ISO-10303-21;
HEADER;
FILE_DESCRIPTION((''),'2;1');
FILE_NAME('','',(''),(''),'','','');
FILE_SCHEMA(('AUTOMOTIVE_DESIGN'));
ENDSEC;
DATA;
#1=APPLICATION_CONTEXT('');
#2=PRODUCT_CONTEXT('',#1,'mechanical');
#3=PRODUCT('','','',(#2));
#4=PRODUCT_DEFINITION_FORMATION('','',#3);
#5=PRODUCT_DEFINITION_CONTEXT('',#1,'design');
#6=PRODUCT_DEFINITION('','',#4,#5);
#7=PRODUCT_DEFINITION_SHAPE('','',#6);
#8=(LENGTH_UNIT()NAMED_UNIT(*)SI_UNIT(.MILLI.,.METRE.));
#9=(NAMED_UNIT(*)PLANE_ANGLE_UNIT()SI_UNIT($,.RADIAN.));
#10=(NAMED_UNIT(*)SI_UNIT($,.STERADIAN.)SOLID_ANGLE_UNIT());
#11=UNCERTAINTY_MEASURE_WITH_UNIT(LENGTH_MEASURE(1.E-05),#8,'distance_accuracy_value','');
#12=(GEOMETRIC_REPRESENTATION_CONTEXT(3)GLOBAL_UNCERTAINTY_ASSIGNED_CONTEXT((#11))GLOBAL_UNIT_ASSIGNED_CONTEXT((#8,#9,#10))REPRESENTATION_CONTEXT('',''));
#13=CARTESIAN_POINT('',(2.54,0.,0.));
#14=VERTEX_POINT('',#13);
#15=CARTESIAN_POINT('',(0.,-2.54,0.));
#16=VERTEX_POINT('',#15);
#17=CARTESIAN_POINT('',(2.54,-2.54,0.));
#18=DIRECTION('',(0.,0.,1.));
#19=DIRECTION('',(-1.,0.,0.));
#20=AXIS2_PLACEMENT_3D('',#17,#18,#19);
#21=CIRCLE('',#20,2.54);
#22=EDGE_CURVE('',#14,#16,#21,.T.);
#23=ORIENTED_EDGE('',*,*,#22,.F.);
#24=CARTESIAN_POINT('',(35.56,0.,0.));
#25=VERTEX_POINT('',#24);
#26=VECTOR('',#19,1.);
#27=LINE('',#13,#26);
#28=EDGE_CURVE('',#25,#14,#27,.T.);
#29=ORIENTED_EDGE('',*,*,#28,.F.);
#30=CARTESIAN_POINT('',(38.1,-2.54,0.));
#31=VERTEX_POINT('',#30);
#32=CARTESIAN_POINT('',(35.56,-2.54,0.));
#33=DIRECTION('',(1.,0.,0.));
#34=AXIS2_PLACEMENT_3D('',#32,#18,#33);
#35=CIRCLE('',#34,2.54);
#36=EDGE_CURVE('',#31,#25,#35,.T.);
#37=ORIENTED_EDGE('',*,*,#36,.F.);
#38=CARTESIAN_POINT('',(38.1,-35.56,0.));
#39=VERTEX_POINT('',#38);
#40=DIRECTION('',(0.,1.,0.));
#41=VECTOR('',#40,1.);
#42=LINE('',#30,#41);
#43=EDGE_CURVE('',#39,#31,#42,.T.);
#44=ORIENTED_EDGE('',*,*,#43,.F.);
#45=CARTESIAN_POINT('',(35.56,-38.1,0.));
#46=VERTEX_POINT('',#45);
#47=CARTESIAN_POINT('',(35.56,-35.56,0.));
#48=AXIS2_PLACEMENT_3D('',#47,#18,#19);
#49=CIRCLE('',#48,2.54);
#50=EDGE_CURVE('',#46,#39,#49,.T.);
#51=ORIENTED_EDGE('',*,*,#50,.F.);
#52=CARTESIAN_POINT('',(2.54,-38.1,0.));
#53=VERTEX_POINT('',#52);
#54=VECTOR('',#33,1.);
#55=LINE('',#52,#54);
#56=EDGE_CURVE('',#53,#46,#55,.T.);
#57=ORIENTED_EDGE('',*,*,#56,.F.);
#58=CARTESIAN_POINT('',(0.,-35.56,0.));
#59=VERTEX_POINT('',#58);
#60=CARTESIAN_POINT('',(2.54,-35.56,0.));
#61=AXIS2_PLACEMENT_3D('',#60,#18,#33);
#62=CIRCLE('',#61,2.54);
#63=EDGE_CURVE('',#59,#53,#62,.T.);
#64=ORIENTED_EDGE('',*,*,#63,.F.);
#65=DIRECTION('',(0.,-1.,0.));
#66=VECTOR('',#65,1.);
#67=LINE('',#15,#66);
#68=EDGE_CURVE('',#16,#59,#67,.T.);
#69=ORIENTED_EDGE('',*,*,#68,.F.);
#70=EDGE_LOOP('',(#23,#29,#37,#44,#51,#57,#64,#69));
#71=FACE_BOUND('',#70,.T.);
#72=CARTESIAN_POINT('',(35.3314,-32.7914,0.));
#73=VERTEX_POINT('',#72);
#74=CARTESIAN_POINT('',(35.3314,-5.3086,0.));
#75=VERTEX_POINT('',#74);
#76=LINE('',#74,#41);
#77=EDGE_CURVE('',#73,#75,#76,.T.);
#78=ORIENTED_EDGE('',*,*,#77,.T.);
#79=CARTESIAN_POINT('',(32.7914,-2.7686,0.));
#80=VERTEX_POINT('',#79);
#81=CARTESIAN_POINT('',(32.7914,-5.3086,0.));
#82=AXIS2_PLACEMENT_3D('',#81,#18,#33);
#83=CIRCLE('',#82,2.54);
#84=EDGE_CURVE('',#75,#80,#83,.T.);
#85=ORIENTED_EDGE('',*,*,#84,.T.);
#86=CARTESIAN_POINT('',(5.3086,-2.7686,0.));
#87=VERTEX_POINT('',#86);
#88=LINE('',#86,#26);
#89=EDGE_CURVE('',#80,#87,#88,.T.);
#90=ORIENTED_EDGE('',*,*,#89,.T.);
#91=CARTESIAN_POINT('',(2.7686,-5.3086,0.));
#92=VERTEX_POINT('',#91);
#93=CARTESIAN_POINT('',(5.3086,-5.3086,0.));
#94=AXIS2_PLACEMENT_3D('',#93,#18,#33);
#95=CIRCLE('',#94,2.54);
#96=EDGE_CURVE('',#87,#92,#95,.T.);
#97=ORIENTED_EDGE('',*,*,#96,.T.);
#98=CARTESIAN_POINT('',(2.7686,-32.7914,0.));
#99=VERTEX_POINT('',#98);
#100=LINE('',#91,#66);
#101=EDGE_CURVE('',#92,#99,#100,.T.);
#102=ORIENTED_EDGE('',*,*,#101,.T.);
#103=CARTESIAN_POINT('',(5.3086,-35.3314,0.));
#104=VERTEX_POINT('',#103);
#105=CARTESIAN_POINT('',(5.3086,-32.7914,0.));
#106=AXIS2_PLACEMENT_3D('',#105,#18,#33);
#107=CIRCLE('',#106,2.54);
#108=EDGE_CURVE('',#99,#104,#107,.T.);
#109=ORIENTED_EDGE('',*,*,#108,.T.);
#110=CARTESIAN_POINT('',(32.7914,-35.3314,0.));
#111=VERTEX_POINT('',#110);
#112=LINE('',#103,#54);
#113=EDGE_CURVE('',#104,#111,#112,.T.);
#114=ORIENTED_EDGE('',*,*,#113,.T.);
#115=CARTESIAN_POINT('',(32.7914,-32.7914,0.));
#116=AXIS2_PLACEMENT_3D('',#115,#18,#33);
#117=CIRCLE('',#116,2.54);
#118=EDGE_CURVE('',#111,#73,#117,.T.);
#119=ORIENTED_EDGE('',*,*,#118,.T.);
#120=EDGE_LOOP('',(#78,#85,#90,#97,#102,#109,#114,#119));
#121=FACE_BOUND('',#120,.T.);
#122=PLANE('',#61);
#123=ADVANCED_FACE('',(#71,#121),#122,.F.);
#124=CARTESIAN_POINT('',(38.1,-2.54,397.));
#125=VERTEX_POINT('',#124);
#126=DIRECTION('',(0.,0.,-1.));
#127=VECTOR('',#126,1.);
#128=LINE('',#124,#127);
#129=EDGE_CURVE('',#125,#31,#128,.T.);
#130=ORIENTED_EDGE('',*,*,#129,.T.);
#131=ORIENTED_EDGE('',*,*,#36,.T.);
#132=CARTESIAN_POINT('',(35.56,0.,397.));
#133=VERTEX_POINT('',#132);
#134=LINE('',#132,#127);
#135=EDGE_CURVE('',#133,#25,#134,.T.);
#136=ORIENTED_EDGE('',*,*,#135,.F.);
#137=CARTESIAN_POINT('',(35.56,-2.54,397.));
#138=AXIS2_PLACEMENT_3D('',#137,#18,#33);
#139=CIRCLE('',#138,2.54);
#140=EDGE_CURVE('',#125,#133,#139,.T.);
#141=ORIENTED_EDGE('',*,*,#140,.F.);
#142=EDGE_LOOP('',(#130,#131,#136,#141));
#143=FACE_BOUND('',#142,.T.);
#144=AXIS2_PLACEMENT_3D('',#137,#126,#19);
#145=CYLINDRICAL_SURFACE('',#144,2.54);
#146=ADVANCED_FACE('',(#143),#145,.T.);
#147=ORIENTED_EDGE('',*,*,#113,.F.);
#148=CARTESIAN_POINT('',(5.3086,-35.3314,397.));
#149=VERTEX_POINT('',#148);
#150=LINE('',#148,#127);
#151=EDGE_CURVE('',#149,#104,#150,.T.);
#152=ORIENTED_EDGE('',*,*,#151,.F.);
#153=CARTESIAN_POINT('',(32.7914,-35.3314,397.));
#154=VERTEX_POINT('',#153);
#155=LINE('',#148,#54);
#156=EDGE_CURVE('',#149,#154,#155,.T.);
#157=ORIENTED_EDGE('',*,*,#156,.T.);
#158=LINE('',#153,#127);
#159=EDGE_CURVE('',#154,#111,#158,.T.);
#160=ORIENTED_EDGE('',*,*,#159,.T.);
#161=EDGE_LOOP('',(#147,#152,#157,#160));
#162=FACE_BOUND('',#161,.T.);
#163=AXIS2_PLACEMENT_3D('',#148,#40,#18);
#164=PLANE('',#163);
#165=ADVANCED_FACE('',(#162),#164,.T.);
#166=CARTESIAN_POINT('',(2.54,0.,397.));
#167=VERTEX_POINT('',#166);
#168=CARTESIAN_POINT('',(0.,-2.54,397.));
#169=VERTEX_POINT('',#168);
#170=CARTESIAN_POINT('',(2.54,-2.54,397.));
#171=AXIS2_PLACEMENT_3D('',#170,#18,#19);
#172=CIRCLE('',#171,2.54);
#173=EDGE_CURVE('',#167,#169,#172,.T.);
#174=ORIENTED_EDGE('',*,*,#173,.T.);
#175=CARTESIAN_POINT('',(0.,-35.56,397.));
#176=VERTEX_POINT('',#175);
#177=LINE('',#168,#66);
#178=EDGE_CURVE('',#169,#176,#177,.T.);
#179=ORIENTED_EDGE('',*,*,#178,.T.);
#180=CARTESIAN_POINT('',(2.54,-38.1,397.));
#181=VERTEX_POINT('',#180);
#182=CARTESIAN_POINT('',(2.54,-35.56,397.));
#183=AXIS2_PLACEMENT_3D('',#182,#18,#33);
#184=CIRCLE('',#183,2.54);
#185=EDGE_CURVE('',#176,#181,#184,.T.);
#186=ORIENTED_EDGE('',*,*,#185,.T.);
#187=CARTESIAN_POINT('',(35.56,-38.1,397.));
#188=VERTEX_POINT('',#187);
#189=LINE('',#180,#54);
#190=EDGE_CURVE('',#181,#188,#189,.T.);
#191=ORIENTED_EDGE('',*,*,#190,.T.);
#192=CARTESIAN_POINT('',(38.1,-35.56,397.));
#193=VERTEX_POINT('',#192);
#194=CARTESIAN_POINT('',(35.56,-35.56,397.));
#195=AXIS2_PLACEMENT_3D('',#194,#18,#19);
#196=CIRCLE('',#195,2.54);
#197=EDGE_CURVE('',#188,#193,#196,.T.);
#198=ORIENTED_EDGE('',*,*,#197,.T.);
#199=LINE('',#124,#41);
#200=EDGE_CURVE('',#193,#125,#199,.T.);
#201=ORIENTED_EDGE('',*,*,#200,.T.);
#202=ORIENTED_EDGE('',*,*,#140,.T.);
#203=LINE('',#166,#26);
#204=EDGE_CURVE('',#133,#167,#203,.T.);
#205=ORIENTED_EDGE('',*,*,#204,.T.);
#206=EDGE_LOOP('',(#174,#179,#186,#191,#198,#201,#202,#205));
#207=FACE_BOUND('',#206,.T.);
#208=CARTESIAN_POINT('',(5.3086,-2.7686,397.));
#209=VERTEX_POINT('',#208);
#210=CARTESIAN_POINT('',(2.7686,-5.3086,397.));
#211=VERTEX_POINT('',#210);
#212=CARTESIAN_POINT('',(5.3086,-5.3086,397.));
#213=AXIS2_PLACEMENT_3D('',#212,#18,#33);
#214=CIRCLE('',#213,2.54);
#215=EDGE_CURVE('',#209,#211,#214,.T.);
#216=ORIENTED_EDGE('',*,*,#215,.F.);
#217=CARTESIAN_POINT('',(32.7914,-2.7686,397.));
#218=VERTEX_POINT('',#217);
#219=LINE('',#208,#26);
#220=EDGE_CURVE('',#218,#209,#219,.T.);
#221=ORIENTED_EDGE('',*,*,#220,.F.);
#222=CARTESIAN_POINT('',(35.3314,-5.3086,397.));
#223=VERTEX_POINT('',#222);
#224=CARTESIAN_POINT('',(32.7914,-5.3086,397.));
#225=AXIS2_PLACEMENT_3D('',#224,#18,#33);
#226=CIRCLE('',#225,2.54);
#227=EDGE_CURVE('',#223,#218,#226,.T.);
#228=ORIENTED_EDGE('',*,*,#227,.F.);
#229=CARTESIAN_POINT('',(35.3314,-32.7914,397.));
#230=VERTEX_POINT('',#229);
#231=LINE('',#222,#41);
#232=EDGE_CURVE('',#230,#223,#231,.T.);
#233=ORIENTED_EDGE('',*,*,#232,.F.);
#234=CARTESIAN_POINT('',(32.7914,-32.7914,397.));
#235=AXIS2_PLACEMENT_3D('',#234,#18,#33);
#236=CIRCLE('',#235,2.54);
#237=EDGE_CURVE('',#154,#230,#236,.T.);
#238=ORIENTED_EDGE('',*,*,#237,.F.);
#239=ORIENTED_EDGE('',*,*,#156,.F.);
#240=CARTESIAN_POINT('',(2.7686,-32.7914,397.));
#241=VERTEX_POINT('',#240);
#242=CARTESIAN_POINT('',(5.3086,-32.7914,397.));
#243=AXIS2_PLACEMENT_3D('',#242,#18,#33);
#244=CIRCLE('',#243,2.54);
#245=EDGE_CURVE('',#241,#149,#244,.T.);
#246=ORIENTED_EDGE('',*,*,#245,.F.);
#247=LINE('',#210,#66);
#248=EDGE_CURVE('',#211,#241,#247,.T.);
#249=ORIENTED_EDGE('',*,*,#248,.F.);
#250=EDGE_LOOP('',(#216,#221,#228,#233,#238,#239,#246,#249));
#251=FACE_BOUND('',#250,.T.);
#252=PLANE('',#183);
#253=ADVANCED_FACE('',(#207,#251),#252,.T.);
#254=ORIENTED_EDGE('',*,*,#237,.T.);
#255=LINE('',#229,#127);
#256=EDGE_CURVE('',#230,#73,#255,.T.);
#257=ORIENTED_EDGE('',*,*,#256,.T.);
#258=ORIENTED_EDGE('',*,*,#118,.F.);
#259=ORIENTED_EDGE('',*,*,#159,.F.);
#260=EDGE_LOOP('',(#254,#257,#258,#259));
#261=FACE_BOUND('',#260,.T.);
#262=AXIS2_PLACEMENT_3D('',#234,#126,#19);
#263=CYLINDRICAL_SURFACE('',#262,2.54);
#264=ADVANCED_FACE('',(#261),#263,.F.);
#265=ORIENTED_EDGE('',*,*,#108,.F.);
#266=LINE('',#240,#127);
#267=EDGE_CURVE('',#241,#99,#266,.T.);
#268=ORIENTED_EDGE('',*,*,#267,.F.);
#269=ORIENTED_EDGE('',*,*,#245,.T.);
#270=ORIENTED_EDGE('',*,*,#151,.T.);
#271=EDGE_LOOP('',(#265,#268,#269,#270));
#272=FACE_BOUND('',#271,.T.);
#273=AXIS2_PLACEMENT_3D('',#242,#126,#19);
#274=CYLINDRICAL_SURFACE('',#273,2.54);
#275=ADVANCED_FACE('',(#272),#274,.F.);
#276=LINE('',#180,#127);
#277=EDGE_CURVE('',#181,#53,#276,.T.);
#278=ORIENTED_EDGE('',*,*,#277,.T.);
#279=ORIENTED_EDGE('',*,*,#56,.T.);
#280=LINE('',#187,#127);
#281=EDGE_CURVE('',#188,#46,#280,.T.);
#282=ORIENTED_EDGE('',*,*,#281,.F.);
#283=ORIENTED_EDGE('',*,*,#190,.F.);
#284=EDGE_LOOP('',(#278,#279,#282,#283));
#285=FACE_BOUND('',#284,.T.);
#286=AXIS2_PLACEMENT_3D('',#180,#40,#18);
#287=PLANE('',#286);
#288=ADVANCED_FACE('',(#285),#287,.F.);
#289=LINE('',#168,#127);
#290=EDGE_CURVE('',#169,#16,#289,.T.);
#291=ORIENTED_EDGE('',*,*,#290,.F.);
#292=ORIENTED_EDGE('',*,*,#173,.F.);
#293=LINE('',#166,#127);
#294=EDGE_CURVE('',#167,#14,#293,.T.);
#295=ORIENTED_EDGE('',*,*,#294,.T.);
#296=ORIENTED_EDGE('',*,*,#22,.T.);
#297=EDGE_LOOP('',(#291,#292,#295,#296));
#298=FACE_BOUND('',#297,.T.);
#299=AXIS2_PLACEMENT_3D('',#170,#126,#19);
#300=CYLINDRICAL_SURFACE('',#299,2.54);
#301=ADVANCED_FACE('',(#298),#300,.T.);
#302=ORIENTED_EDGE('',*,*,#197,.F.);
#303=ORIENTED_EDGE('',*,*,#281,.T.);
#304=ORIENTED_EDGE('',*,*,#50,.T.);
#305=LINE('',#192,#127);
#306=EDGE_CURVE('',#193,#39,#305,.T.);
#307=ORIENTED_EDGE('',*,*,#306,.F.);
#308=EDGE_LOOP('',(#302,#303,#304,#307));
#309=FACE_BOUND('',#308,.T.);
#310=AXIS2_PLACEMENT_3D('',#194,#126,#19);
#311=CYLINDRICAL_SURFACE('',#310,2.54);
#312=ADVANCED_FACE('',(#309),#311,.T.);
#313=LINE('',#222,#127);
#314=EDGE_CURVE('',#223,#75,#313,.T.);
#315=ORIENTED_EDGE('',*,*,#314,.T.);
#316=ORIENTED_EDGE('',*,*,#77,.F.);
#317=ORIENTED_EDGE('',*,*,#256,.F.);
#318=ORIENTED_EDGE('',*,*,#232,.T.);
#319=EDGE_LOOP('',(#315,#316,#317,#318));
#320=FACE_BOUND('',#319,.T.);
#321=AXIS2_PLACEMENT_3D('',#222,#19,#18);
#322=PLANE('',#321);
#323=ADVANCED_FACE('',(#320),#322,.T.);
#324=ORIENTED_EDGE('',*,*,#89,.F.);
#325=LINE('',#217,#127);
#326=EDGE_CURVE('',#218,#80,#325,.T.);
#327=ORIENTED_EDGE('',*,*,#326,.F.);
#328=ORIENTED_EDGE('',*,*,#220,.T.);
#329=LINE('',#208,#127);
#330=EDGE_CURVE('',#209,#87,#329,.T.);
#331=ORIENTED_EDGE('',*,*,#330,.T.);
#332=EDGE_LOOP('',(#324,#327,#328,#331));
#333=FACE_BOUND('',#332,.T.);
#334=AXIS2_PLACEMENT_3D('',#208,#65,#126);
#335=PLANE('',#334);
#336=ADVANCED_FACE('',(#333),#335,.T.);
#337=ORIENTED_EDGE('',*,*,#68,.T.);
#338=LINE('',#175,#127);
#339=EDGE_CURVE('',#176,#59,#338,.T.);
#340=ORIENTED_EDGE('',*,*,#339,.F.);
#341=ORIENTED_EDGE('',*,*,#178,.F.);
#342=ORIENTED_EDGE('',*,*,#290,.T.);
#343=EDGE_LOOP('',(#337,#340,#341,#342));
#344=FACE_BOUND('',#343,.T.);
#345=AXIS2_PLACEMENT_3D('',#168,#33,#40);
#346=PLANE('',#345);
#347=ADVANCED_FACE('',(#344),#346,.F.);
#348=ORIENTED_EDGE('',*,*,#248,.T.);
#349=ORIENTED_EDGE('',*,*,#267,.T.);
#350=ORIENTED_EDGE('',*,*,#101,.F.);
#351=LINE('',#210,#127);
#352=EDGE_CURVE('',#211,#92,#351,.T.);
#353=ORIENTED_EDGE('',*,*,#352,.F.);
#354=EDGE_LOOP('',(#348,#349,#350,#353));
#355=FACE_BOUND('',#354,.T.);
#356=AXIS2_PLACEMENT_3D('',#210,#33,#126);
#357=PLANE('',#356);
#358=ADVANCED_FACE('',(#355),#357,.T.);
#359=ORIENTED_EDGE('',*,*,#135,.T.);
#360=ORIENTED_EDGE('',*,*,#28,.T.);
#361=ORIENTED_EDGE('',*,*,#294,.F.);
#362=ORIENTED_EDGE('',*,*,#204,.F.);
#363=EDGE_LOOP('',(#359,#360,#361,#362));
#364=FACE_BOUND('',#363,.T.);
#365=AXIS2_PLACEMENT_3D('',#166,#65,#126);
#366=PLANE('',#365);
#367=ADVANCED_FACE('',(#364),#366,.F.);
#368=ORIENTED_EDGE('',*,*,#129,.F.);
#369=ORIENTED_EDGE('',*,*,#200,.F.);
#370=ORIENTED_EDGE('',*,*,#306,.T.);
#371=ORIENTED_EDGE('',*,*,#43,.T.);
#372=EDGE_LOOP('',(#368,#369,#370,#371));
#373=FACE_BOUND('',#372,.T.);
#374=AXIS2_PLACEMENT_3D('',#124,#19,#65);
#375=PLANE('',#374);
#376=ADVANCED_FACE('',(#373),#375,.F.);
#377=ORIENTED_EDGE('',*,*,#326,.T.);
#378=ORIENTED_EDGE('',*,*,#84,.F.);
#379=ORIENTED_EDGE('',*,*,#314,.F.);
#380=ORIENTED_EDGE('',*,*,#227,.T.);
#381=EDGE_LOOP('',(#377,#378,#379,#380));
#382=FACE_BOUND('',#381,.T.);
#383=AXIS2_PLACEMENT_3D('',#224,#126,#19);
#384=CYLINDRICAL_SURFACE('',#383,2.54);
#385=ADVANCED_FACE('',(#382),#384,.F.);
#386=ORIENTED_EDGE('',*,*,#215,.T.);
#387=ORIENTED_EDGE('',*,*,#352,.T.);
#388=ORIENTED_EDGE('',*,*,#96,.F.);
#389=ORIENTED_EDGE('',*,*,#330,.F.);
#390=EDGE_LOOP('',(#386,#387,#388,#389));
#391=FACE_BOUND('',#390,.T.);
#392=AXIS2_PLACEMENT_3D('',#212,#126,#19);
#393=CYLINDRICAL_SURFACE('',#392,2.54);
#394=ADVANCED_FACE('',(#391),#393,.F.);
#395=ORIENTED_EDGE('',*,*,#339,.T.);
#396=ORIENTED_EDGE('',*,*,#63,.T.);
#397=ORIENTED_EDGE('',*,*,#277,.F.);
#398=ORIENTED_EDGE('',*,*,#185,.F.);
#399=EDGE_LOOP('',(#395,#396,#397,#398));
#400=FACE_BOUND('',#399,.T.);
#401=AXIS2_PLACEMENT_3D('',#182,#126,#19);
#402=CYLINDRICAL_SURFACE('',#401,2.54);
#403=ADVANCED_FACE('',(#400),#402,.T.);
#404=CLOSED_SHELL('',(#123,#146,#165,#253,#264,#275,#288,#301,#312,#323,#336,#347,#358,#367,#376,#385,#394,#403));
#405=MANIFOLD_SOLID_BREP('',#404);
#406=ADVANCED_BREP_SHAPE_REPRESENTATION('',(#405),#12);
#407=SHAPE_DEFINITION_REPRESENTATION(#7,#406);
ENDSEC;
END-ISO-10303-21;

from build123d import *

# Parameters (mm, degrees)
BOSS_EXTRUDE1_DEPTH = 397


with BuildPart() as part:
    # Sketch1 → Boss-Extrude1 (new body)
    with BuildSketch(Plane.XY):
        with BuildLine():
            Line((2.54, 0), (35.56, 0))
            ThreePointArc((35.56, 0), (37.356051224, -0.743948776), (38.1, -2.54))
            Line((38.1, -2.54), (38.1, -35.56))
            ThreePointArc((38.1, -35.56), (37.356051224, -37.356051224), (35.56, -38.1))
            Line((35.56, -38.1), (2.54, -38.1))
            ThreePointArc((2.54, -38.1), (0.743948776, -37.356051224), (0, -35.56))
            Line((0, -35.56), (0, -2.54))
            ThreePointArc((0, -2.54), (0.743948776, -0.743948776), (2.54, 0))
        make_face()
        with BuildLine():
            Line((5.3086, -2.7686), (32.7914, -2.7686))
            ThreePointArc((32.7914, -2.7686), (34.587451224, -3.512548776), (35.3314, -5.3086))
            Line((35.3314, -5.3086), (35.3314, -32.7914))
            ThreePointArc((35.3314, -32.7914), (34.587451224, -34.587451224), (32.7914, -35.3314))
            Line((32.7914, -35.3314), (5.3086, -35.3314))
            ThreePointArc((5.3086, -35.3314), (3.512548776, -34.587451224), (2.7686, -32.7914))
            Line((2.7686, -32.7914), (2.7686, -5.3086))
            ThreePointArc((2.7686, -5.3086), (3.512548776, -3.512548776), (5.3086, -2.7686))
        make_face(mode=Mode.SUBTRACT)
    extrude(amount=BOSS_EXTRUDE1_DEPTH)


solid = part.part
